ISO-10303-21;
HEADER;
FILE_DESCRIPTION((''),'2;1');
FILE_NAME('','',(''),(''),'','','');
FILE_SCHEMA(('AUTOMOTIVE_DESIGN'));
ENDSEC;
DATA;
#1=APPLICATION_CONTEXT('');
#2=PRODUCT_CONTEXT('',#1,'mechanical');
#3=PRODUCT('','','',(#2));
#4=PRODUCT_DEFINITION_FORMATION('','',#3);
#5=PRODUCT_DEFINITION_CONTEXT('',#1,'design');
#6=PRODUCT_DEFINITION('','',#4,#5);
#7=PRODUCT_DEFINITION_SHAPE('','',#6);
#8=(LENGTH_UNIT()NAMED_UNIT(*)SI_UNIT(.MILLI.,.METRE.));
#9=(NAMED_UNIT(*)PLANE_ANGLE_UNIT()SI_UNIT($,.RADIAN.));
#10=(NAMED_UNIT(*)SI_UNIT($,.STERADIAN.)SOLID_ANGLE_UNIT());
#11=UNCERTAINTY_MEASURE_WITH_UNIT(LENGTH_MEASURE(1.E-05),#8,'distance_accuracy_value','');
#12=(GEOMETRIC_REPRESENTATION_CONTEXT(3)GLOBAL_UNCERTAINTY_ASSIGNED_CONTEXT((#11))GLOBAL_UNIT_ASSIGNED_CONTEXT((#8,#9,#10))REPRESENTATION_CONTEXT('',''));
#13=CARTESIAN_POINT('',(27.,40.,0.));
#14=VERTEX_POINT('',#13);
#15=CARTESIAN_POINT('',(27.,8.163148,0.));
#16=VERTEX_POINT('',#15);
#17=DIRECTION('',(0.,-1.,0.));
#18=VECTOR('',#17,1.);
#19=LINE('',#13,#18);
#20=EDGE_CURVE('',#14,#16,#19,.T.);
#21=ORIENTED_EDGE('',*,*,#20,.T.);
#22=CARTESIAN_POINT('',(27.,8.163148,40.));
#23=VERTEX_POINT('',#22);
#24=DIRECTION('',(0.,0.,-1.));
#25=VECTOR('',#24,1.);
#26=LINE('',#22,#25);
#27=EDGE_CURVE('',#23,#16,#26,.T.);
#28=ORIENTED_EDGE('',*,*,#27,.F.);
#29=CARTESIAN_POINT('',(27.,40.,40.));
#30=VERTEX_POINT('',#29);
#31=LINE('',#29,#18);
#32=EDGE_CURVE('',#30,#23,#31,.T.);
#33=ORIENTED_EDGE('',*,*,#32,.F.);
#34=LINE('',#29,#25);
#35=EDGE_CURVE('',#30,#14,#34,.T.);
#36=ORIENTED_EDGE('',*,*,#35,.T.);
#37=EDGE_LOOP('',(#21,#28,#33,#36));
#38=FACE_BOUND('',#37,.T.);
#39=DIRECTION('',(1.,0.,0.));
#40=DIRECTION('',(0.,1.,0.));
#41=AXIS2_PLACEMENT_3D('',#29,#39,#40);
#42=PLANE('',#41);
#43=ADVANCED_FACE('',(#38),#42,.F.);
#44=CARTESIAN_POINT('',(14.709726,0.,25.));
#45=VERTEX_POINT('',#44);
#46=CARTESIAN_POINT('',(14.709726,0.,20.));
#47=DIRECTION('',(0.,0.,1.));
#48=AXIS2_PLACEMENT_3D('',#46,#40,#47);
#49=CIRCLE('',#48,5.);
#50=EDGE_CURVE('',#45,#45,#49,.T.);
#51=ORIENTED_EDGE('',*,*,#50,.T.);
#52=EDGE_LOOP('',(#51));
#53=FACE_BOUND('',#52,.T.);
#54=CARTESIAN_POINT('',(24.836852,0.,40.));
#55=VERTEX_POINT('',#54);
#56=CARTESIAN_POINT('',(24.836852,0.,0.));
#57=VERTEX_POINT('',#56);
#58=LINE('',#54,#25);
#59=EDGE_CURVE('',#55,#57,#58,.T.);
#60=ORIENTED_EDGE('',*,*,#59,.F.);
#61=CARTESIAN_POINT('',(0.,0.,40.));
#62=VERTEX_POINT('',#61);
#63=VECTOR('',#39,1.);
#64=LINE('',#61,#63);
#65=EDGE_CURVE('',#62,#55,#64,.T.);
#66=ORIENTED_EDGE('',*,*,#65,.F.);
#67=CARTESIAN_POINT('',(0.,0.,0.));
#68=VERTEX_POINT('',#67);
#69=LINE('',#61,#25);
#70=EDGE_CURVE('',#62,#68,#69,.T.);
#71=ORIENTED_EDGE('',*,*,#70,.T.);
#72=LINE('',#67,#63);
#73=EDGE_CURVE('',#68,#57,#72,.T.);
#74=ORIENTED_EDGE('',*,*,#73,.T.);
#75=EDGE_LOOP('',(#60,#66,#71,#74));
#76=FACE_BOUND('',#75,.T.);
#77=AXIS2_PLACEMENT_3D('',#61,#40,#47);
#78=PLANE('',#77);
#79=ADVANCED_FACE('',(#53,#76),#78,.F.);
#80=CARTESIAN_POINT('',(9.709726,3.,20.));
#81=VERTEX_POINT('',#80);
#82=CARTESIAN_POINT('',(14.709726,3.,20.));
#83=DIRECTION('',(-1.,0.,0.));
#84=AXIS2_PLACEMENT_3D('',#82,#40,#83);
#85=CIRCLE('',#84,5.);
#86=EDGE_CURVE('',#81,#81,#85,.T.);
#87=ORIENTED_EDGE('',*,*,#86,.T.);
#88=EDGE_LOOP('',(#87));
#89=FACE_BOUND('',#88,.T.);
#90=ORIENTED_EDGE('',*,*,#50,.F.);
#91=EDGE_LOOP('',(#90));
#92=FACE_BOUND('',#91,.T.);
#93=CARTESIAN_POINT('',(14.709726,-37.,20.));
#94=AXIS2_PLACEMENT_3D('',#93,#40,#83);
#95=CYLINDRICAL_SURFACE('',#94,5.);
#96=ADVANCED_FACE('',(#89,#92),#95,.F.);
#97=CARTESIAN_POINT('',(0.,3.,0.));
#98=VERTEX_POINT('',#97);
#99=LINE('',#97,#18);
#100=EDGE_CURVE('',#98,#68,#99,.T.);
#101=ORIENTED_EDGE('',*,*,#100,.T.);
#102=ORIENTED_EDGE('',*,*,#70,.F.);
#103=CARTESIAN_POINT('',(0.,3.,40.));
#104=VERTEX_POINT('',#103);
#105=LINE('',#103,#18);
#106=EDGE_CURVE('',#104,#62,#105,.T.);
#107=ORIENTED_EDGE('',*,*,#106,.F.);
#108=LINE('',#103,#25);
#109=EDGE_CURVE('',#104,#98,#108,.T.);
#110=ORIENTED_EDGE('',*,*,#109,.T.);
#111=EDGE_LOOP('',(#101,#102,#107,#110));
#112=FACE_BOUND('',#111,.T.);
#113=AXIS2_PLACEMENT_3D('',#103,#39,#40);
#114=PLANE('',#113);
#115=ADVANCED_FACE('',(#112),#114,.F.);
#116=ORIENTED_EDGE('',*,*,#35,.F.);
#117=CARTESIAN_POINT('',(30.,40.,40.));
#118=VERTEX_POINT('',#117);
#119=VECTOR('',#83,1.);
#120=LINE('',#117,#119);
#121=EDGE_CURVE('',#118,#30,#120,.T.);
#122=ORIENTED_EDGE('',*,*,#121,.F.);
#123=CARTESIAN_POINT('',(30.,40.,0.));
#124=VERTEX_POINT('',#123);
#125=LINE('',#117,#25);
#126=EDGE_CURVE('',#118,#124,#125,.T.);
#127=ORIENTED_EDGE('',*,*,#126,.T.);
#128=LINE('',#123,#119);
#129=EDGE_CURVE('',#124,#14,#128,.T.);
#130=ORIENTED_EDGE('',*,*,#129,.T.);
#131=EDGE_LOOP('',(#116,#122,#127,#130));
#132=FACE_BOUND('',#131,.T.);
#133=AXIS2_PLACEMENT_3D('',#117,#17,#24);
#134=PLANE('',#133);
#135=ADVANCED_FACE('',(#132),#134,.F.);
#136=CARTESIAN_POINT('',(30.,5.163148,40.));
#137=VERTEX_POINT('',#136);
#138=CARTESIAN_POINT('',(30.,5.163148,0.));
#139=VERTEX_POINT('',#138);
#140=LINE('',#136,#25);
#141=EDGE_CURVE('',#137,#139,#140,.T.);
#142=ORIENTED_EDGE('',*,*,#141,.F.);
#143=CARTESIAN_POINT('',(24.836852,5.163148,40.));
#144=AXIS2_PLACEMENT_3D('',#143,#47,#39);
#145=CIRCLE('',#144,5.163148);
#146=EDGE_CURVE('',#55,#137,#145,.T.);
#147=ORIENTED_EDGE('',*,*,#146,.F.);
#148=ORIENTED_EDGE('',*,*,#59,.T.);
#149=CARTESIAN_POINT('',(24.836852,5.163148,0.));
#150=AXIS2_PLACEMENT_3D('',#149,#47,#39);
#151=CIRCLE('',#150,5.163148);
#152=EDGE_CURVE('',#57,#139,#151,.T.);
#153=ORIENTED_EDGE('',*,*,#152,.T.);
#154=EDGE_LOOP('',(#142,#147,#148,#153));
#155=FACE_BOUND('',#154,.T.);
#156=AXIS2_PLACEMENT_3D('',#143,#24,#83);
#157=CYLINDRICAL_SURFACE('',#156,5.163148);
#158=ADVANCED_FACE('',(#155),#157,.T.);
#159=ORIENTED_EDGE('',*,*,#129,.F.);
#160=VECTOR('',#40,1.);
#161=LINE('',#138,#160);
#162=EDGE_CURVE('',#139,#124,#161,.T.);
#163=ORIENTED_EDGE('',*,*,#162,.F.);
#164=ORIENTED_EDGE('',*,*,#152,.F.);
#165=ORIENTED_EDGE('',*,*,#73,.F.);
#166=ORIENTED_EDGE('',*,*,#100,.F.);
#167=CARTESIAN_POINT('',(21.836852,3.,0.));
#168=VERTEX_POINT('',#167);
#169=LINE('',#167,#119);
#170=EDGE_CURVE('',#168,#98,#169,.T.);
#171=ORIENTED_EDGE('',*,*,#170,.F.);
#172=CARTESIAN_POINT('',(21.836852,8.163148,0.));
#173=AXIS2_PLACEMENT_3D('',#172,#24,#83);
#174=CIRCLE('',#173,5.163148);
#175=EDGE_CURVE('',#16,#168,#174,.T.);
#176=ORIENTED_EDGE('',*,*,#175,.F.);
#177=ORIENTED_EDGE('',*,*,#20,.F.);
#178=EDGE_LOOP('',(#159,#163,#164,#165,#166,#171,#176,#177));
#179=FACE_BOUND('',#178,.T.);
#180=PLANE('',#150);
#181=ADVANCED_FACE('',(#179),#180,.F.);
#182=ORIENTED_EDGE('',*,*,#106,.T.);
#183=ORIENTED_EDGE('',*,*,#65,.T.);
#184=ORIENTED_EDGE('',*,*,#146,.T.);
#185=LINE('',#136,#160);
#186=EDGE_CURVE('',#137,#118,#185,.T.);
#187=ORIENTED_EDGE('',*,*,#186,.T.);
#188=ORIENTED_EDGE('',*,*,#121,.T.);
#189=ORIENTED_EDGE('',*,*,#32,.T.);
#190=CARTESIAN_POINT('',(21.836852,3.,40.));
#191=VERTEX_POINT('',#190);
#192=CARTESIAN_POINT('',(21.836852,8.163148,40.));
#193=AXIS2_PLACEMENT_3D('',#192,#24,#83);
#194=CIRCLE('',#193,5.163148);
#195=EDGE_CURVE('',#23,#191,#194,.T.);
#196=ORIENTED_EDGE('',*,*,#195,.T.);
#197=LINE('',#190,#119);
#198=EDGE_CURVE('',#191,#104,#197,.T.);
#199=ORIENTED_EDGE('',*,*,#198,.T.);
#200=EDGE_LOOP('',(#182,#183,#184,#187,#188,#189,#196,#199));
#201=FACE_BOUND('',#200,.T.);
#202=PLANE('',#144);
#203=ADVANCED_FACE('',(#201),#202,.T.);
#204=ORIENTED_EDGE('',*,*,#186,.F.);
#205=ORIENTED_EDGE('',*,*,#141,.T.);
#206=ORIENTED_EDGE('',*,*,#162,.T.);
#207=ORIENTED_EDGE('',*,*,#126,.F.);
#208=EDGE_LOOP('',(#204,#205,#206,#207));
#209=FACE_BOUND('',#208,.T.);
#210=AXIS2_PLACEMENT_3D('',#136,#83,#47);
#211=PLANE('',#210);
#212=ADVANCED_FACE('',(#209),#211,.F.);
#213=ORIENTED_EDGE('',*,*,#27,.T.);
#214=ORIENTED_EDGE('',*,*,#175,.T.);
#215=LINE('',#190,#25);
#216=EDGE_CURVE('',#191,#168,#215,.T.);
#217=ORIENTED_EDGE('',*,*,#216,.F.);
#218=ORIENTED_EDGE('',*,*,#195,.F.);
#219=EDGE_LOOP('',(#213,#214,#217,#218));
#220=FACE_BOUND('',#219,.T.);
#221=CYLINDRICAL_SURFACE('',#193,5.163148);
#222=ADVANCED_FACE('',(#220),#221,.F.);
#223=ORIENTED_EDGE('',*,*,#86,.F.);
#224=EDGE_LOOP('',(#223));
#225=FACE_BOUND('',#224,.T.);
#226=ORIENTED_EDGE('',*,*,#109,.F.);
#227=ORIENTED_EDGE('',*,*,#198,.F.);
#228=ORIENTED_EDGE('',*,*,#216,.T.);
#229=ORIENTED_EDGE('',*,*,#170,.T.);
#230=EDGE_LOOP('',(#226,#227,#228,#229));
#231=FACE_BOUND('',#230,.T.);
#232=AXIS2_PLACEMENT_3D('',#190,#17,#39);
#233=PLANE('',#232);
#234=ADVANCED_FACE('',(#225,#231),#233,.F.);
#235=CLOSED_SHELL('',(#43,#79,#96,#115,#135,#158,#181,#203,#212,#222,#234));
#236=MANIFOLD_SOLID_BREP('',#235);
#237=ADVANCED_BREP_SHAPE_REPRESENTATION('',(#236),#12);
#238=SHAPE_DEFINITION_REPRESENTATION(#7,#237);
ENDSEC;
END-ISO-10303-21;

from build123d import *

# Parameters (mm, degrees)
BOSS_EXTRUDE1_DEPTH = 40
SKETCH3_R           = 5
CUT_EXTRUDE1_DEPTH  = 40


with BuildPart() as part:
    # Sketch2 → Boss-Extrude1 (new body)
    with BuildSketch(Plane.XY):
        with BuildLine():
            Line((0, 0), (24.836851576, 0))
            ThreePointArc((24.836851576, 0), (28.487748839, 1.512251161), (30, 5.163148424))
            Line((30, 5.163148424), (30, 40))
            Line((30, 40), (27, 40))
            Line((27, 40), (27, 8.163148424))
            ThreePointArc((27, 8.163148424), (25.487748839, 4.512251161), (21.836851576, 3))
            Line((21.836851576, 3), (0, 3))
            Line((0, 3), (0, 0))
        make_face()
    extrude(amount=BOSS_EXTRUDE1_DEPTH)

    # Sketch3 → Cut-Extrude1 (cut)
    with BuildSketch(Plane(origin=(0, 3, 0), x_dir=(1, 0, 0), z_dir=(0, 1, 0))):
        with Locations(Location((14.709726001, -20, 0), (0, 0, 180))):
            Circle(SKETCH3_R)
    extrude(amount=-CUT_EXTRUDE1_DEPTH, mode=Mode.SUBTRACT)


solid = part.part
